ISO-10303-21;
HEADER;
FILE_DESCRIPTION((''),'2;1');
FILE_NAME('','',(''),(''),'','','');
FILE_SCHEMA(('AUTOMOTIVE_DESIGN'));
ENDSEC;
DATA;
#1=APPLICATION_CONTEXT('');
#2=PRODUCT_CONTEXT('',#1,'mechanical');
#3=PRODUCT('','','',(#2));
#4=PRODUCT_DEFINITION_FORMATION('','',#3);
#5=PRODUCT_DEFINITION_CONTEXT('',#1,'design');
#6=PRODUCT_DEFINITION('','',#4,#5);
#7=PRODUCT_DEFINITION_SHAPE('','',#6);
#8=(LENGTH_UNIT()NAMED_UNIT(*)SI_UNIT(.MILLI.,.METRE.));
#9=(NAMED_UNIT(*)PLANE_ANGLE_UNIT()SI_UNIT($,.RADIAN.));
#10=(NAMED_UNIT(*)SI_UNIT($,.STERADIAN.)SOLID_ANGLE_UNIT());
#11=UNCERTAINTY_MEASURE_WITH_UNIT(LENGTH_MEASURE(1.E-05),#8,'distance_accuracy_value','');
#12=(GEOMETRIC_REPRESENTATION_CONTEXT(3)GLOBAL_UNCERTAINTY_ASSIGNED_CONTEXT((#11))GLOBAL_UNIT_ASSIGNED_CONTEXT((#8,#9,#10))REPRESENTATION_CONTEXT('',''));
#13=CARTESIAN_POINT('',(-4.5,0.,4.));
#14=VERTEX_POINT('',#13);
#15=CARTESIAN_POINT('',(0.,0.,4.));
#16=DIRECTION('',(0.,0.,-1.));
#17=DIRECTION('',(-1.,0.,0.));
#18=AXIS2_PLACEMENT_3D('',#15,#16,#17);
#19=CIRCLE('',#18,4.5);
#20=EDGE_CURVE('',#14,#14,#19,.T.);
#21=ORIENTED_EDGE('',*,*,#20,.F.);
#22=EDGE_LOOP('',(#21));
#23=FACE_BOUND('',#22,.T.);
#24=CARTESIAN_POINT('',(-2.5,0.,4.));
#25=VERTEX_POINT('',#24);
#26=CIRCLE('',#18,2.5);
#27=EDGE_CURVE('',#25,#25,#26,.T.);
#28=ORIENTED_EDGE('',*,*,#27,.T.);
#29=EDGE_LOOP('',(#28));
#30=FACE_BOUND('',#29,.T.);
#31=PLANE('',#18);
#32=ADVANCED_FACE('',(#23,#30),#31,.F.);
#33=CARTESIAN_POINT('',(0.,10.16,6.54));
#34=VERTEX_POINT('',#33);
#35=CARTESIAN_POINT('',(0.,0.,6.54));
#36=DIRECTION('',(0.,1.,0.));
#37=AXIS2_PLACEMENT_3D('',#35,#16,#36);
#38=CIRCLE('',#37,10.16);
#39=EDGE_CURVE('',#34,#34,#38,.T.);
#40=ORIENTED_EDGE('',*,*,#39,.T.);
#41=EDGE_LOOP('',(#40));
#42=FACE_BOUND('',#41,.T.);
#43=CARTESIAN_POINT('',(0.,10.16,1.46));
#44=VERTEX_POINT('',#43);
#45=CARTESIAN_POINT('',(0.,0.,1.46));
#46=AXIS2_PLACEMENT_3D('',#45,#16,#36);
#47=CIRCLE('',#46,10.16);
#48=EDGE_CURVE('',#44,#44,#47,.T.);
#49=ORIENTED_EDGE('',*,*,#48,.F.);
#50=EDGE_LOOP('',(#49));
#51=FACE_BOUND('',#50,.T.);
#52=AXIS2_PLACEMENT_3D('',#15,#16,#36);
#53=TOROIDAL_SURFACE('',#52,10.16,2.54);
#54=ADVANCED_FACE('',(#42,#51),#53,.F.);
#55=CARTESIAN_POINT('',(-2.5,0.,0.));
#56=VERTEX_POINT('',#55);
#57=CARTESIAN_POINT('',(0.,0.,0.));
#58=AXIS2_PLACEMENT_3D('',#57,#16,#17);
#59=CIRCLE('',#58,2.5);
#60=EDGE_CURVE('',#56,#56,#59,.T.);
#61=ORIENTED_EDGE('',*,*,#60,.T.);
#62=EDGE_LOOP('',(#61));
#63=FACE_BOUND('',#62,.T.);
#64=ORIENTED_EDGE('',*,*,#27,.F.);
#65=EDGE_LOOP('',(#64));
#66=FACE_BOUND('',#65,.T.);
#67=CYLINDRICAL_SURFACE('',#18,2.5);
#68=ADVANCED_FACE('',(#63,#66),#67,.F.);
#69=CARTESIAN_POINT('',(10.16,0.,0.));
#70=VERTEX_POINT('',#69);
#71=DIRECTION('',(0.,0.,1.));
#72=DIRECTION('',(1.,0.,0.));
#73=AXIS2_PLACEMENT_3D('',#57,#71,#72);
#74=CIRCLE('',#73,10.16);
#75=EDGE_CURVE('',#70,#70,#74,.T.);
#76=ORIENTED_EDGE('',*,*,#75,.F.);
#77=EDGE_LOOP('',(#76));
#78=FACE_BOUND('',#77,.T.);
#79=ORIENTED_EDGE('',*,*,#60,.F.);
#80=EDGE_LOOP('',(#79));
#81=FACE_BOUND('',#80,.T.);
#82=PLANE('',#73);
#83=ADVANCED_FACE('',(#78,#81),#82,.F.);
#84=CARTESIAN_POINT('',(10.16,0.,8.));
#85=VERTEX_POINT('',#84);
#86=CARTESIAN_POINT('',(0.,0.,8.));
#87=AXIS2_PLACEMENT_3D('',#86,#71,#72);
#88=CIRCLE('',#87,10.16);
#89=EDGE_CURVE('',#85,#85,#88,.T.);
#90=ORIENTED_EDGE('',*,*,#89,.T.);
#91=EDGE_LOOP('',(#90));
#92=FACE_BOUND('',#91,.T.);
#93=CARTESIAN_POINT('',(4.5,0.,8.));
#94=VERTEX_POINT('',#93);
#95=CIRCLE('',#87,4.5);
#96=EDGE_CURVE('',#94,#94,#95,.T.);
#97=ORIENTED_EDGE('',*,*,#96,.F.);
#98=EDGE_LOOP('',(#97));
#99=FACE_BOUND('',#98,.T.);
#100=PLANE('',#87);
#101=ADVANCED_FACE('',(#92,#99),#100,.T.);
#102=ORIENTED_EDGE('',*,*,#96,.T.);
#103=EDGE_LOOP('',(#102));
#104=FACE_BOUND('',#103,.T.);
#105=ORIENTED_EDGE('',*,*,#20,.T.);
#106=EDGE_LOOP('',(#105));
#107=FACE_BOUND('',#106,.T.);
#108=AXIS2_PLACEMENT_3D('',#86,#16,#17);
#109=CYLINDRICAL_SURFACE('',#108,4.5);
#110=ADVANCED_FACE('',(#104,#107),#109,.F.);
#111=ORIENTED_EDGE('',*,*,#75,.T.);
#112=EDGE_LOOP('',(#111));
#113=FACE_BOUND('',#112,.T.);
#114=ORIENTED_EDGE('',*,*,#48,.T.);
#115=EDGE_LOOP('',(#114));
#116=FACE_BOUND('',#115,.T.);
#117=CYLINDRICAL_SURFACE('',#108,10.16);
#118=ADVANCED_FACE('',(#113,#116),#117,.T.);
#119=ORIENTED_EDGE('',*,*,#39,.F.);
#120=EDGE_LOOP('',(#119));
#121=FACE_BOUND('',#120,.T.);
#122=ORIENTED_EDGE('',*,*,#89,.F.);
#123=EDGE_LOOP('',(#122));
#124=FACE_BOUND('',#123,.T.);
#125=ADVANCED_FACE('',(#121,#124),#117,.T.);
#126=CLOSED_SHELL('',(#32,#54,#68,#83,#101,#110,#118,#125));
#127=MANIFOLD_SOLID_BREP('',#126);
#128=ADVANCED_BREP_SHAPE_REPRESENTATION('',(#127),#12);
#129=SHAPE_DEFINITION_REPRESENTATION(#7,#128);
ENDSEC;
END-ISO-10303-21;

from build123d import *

# Parameters (mm, degrees)
SKETCH1_R           = 10.16
SKETCH1_R_2         = 4.5
BOSS_EXTRUDE1_DEPTH = 8
SKETCH6_R           = 4.5
SKETCH6_R_2         = 2.5
BOSS_EXTRUDE2_DEPTH = 4


with BuildPart() as part:
    # Sketch1 → Boss-Extrude1 (new body)
    with BuildSketch(Plane.XY):
        Circle(SKETCH1_R)
        Circle(SKETCH1_R_2, mode=Mode.SUBTRACT)
    extrude(amount=BOSS_EXTRUDE1_DEPTH)

    # Sketch2 → Cut-Revolve1 (revolve, cut)
    with BuildSketch(Plane(origin=(0, 0, 0), x_dir=(0, 0, -1), z_dir=(1, 0, 0))):
        with BuildLine():
            Line((-6.54, 10.16), (-1.46, 10.16))
            ThreePointArc((-1.46, 10.16), (-4, 7.62), (-6.54, 10.16))
        make_face()
    revolve(axis=Axis((0, 0, 0), (0, 0, 1)), mode=Mode.SUBTRACT)

    # Sketch6 → Boss-Extrude2 (add)
    with BuildSketch(Plane(origin=(0, 0, 0), x_dir=(-1, 0, 0), z_dir=(0, 0, -1))):
        Circle(SKETCH6_R)
        Circle(SKETCH6_R_2, mode=Mode.SUBTRACT)
    extrude(amount=-BOSS_EXTRUDE2_DEPTH)


solid = part.part
